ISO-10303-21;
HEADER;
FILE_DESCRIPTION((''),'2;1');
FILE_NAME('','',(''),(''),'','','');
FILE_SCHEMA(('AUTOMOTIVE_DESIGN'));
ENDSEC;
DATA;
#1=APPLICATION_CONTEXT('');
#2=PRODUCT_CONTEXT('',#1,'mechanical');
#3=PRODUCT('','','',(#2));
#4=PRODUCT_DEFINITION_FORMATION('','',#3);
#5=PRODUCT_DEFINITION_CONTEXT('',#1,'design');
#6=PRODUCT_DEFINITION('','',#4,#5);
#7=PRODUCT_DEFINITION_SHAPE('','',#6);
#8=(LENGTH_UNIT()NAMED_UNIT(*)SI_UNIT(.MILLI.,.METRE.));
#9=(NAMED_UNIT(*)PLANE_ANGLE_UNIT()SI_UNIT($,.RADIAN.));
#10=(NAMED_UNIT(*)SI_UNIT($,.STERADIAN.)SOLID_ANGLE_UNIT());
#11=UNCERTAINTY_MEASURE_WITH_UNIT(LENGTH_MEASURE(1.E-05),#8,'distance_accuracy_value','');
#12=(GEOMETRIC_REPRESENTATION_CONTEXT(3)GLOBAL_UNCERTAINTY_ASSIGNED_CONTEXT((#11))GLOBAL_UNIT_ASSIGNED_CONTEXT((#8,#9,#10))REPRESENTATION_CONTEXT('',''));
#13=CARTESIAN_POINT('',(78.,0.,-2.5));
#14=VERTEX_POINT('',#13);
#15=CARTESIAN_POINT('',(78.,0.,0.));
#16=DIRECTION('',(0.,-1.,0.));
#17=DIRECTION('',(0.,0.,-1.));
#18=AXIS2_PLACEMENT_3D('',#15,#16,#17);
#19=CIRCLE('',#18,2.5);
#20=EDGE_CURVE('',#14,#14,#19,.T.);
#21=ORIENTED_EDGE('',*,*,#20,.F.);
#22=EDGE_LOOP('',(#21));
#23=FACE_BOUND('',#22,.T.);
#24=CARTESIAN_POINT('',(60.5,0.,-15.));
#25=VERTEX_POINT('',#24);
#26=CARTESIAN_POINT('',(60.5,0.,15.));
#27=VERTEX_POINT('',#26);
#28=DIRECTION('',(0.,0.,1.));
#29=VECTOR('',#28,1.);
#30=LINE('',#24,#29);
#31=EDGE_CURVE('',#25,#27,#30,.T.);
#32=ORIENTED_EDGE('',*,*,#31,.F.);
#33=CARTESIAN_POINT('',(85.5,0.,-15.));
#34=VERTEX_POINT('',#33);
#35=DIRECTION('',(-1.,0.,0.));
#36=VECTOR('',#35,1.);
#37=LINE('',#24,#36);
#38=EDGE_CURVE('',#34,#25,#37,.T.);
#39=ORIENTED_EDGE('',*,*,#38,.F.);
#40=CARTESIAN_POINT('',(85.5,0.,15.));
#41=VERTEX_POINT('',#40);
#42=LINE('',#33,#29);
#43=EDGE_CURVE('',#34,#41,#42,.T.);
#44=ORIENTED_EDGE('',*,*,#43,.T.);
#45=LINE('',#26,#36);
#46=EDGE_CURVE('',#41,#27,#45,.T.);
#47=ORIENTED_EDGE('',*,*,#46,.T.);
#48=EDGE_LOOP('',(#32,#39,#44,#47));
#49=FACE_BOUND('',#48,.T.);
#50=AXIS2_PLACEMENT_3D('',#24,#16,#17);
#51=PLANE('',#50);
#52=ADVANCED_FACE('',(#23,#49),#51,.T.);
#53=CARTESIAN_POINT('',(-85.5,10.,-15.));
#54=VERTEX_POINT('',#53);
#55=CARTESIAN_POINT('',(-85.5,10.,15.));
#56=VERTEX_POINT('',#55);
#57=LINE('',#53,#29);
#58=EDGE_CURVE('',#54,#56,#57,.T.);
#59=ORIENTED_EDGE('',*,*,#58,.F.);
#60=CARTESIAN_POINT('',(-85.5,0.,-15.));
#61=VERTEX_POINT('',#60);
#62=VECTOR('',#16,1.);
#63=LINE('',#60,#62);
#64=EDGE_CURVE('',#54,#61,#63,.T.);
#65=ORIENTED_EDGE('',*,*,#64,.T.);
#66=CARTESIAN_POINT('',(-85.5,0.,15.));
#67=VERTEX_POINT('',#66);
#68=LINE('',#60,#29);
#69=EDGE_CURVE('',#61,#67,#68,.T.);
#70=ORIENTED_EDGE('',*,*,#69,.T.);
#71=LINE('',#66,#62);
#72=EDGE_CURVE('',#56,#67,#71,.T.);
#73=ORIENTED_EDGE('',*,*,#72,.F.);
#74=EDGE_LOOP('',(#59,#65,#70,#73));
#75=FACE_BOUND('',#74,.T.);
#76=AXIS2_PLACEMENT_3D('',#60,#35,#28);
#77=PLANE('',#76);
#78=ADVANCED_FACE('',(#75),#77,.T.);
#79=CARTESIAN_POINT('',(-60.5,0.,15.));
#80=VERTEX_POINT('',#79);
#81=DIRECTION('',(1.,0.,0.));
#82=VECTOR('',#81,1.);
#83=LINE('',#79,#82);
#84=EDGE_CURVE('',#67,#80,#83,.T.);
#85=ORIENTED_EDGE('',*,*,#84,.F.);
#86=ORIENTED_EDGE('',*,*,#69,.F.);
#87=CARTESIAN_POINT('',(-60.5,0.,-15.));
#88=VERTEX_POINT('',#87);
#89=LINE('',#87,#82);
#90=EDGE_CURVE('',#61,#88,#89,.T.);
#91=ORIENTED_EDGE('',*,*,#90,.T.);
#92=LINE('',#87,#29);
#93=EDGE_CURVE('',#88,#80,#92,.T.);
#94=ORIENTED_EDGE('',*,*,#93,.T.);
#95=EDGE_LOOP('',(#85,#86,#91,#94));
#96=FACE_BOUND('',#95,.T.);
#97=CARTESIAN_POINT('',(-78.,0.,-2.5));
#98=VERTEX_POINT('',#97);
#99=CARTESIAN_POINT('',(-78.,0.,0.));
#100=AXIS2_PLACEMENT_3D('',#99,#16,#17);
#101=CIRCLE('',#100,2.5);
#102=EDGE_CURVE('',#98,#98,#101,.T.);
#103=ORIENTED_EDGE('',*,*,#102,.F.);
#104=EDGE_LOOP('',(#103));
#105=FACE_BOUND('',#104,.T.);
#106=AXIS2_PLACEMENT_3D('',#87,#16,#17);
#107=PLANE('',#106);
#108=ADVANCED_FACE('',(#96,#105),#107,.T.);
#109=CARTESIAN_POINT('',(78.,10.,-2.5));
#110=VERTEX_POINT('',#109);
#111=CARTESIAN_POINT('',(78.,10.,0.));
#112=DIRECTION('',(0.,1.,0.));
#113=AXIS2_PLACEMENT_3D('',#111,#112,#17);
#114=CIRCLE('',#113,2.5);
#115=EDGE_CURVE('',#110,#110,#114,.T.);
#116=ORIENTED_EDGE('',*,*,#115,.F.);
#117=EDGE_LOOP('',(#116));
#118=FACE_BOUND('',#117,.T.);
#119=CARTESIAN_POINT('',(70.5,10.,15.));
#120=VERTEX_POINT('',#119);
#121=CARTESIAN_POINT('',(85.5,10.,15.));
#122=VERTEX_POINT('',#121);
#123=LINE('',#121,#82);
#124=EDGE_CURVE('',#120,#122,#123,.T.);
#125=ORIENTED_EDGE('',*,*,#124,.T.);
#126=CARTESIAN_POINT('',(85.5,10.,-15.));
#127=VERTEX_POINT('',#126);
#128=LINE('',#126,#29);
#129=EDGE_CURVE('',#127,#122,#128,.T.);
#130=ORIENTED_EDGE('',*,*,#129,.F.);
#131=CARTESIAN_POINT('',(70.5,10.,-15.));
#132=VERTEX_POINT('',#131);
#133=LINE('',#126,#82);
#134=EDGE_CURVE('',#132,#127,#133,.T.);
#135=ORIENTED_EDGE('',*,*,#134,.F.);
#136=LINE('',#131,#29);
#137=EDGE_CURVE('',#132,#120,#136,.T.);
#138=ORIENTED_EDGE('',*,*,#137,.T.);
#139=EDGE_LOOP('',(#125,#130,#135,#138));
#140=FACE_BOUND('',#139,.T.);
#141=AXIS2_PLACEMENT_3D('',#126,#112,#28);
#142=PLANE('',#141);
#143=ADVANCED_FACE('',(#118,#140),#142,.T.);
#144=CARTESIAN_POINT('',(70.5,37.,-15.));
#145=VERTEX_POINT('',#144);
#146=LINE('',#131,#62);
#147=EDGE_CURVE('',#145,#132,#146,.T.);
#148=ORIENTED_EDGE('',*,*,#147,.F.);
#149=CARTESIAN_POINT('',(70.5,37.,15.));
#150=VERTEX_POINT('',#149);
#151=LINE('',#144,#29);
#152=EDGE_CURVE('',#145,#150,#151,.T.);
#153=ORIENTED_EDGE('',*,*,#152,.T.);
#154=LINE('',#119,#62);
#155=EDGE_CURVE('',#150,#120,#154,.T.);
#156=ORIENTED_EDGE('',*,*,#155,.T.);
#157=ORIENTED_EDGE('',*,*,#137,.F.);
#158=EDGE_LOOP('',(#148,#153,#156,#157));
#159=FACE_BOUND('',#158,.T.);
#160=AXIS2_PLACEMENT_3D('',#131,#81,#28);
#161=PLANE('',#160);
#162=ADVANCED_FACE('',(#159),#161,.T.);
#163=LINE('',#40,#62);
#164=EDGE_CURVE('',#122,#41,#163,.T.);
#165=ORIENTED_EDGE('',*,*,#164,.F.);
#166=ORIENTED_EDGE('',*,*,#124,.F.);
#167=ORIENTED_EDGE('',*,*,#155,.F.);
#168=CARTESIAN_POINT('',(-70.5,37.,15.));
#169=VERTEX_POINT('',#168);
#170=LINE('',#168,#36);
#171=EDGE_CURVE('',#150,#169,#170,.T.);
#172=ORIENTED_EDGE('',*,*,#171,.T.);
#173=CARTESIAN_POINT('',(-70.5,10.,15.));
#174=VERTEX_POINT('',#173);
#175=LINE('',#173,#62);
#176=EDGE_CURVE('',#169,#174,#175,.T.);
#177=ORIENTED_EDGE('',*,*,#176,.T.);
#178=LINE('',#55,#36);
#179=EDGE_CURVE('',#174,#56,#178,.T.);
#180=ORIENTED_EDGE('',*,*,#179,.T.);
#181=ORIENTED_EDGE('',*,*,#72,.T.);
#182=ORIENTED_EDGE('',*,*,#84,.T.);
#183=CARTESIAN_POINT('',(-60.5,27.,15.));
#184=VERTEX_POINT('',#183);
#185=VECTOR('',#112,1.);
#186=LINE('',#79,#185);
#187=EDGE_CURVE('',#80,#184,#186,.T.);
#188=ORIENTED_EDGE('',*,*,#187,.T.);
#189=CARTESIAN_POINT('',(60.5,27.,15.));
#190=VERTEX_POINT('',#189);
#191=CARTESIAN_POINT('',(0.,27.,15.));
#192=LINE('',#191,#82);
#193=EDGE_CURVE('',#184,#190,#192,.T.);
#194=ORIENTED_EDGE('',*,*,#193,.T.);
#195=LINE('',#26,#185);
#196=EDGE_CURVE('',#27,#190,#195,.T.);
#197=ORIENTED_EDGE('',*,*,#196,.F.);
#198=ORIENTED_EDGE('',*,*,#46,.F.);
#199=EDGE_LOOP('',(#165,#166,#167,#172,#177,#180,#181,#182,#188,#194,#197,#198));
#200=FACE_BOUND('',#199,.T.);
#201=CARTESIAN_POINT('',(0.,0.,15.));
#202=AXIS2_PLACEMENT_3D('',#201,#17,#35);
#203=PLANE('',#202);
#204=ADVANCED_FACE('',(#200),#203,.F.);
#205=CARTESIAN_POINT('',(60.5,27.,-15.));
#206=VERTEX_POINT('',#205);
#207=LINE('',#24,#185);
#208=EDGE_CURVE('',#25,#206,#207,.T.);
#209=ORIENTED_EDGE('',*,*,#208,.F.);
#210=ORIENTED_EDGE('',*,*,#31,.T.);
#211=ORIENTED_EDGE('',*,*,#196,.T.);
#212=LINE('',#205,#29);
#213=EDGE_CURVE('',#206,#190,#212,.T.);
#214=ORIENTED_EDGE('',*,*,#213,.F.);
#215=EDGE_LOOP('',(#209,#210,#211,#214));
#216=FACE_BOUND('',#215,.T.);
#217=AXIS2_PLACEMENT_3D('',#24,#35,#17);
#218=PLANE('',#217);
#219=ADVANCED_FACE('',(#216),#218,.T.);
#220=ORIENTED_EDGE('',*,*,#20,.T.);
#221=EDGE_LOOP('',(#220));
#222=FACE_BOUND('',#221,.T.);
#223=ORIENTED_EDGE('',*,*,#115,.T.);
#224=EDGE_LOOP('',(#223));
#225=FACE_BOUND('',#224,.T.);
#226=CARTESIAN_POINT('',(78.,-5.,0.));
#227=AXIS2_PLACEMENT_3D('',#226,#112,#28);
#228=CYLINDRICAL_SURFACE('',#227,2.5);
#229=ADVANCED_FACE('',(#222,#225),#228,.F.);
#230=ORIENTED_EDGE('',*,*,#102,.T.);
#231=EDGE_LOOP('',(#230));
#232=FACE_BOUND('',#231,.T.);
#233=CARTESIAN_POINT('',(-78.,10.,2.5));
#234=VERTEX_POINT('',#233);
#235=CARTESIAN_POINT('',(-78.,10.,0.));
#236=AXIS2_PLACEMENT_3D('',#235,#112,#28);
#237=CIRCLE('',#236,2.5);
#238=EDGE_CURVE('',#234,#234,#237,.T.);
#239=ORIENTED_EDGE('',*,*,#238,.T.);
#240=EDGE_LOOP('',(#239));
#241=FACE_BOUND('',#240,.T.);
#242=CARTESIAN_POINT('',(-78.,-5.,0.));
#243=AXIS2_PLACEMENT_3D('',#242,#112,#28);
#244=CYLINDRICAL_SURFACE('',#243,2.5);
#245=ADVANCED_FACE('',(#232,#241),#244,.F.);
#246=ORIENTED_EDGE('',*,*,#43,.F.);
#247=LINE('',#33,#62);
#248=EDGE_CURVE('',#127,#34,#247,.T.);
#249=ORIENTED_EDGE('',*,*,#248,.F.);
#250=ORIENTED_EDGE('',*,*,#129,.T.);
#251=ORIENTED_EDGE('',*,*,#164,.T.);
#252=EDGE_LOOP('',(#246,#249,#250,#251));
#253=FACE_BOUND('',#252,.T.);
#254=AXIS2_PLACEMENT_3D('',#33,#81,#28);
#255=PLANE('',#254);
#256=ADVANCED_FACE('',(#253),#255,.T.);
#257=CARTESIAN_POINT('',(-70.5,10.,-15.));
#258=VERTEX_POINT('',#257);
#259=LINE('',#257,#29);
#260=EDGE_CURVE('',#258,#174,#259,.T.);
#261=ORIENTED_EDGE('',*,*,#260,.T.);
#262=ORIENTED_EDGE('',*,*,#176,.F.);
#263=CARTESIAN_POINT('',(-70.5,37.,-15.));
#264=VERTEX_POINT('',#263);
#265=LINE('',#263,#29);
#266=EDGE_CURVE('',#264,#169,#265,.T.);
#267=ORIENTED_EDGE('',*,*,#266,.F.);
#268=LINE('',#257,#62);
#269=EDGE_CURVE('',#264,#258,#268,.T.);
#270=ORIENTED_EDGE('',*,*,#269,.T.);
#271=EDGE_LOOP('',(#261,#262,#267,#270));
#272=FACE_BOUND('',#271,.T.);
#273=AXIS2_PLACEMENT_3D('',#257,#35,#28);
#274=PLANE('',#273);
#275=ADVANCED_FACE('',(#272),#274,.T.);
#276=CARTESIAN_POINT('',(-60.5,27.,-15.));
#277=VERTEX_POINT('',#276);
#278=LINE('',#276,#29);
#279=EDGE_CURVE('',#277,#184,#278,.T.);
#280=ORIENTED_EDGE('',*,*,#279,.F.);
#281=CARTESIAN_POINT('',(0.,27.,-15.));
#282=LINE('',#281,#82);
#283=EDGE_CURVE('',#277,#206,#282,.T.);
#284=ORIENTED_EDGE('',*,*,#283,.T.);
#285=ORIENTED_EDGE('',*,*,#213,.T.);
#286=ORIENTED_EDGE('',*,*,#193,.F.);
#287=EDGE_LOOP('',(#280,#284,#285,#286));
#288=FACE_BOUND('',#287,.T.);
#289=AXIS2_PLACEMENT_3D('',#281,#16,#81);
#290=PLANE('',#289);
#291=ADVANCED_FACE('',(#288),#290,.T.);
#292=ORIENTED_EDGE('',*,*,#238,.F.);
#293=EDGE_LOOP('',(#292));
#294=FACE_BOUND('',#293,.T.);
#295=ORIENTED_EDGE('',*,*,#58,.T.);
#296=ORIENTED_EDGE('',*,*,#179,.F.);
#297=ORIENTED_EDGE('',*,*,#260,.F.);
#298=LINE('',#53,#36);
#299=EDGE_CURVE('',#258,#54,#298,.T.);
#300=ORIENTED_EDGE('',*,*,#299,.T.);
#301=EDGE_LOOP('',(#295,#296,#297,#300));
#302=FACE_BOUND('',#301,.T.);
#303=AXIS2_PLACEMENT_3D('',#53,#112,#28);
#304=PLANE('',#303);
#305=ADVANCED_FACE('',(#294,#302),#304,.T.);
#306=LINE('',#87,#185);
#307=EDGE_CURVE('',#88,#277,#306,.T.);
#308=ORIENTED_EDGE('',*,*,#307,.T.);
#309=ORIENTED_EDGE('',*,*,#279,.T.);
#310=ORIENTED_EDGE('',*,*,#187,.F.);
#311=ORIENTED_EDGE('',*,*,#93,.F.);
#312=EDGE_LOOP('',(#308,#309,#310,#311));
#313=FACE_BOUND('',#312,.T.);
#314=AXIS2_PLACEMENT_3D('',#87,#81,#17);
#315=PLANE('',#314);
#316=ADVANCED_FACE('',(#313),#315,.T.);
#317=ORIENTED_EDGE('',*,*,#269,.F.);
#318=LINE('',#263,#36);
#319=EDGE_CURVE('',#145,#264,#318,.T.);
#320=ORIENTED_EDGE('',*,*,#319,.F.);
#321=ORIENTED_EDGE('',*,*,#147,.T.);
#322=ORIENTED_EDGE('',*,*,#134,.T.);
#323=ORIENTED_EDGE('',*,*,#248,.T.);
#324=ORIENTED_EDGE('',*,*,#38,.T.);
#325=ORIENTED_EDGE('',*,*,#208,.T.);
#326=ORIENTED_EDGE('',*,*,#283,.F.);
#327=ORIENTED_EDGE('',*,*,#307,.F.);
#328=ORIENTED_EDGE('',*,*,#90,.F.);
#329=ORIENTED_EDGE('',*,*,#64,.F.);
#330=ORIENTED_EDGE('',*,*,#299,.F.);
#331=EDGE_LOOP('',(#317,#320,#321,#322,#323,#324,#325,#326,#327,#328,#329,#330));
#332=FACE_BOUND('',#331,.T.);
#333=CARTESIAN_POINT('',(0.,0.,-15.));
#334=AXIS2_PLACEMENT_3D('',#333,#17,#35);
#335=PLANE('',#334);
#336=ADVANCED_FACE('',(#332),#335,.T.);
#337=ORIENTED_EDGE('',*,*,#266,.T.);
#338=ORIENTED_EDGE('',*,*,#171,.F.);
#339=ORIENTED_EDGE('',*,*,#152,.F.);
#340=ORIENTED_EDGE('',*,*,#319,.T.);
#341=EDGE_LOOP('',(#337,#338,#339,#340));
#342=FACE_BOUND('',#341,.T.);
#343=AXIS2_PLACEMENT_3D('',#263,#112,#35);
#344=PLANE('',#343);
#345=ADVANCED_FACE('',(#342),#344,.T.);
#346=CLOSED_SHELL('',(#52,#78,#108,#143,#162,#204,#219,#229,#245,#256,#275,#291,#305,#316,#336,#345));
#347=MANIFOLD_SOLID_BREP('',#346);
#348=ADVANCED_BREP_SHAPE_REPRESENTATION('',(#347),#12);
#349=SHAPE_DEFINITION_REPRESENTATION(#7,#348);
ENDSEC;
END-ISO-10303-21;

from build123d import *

# Parameters (mm, degrees)
BOSS_EXTRUDE1_DEPTH      = 15
BOSS_EXTRUDE1_DEPTH_BACK = 15
SKETCH3_R                = 2.5
CUT_EXTRUDE1_DEPTH       = 15


with BuildPart() as part:
    # Sketch2 → Boss-Extrude1 (new, two sides: drawn at the far end of the back side and taken through both)
    with BuildSketch(Plane.XY.offset(-BOSS_EXTRUDE1_DEPTH_BACK)):
        Polygon((-60.5, 0), (-60.5, 27), (0, 27), (0, 37), (-70.5, 37), (-70.5, 10), (-85.5, 10), (-85.5, 0), align=None)
    extrude(amount=BOSS_EXTRUDE1_DEPTH + BOSS_EXTRUDE1_DEPTH_BACK)

    # Mirror1: part across plane


with BuildPart() as part_1:
    add(part.part)
    add(part.part.mirror(Plane(origin=(0, 0, 0), x_dir=(0, 0, 1), z_dir=(1, 0, 0))))

    # Sketch3 → Cut-Extrude1 (cut)
    with BuildSketch(Plane(origin=(0, 10, 0), x_dir=(1, 0, 0), z_dir=(0, 1, 0))):
        with Locations((-78, 0)):
            Circle(SKETCH3_R)
        with Locations((78, 0)):
            Circle(SKETCH3_R)
    extrude(amount=-CUT_EXTRUDE1_DEPTH, mode=Mode.SUBTRACT)


solid = part_1.part
